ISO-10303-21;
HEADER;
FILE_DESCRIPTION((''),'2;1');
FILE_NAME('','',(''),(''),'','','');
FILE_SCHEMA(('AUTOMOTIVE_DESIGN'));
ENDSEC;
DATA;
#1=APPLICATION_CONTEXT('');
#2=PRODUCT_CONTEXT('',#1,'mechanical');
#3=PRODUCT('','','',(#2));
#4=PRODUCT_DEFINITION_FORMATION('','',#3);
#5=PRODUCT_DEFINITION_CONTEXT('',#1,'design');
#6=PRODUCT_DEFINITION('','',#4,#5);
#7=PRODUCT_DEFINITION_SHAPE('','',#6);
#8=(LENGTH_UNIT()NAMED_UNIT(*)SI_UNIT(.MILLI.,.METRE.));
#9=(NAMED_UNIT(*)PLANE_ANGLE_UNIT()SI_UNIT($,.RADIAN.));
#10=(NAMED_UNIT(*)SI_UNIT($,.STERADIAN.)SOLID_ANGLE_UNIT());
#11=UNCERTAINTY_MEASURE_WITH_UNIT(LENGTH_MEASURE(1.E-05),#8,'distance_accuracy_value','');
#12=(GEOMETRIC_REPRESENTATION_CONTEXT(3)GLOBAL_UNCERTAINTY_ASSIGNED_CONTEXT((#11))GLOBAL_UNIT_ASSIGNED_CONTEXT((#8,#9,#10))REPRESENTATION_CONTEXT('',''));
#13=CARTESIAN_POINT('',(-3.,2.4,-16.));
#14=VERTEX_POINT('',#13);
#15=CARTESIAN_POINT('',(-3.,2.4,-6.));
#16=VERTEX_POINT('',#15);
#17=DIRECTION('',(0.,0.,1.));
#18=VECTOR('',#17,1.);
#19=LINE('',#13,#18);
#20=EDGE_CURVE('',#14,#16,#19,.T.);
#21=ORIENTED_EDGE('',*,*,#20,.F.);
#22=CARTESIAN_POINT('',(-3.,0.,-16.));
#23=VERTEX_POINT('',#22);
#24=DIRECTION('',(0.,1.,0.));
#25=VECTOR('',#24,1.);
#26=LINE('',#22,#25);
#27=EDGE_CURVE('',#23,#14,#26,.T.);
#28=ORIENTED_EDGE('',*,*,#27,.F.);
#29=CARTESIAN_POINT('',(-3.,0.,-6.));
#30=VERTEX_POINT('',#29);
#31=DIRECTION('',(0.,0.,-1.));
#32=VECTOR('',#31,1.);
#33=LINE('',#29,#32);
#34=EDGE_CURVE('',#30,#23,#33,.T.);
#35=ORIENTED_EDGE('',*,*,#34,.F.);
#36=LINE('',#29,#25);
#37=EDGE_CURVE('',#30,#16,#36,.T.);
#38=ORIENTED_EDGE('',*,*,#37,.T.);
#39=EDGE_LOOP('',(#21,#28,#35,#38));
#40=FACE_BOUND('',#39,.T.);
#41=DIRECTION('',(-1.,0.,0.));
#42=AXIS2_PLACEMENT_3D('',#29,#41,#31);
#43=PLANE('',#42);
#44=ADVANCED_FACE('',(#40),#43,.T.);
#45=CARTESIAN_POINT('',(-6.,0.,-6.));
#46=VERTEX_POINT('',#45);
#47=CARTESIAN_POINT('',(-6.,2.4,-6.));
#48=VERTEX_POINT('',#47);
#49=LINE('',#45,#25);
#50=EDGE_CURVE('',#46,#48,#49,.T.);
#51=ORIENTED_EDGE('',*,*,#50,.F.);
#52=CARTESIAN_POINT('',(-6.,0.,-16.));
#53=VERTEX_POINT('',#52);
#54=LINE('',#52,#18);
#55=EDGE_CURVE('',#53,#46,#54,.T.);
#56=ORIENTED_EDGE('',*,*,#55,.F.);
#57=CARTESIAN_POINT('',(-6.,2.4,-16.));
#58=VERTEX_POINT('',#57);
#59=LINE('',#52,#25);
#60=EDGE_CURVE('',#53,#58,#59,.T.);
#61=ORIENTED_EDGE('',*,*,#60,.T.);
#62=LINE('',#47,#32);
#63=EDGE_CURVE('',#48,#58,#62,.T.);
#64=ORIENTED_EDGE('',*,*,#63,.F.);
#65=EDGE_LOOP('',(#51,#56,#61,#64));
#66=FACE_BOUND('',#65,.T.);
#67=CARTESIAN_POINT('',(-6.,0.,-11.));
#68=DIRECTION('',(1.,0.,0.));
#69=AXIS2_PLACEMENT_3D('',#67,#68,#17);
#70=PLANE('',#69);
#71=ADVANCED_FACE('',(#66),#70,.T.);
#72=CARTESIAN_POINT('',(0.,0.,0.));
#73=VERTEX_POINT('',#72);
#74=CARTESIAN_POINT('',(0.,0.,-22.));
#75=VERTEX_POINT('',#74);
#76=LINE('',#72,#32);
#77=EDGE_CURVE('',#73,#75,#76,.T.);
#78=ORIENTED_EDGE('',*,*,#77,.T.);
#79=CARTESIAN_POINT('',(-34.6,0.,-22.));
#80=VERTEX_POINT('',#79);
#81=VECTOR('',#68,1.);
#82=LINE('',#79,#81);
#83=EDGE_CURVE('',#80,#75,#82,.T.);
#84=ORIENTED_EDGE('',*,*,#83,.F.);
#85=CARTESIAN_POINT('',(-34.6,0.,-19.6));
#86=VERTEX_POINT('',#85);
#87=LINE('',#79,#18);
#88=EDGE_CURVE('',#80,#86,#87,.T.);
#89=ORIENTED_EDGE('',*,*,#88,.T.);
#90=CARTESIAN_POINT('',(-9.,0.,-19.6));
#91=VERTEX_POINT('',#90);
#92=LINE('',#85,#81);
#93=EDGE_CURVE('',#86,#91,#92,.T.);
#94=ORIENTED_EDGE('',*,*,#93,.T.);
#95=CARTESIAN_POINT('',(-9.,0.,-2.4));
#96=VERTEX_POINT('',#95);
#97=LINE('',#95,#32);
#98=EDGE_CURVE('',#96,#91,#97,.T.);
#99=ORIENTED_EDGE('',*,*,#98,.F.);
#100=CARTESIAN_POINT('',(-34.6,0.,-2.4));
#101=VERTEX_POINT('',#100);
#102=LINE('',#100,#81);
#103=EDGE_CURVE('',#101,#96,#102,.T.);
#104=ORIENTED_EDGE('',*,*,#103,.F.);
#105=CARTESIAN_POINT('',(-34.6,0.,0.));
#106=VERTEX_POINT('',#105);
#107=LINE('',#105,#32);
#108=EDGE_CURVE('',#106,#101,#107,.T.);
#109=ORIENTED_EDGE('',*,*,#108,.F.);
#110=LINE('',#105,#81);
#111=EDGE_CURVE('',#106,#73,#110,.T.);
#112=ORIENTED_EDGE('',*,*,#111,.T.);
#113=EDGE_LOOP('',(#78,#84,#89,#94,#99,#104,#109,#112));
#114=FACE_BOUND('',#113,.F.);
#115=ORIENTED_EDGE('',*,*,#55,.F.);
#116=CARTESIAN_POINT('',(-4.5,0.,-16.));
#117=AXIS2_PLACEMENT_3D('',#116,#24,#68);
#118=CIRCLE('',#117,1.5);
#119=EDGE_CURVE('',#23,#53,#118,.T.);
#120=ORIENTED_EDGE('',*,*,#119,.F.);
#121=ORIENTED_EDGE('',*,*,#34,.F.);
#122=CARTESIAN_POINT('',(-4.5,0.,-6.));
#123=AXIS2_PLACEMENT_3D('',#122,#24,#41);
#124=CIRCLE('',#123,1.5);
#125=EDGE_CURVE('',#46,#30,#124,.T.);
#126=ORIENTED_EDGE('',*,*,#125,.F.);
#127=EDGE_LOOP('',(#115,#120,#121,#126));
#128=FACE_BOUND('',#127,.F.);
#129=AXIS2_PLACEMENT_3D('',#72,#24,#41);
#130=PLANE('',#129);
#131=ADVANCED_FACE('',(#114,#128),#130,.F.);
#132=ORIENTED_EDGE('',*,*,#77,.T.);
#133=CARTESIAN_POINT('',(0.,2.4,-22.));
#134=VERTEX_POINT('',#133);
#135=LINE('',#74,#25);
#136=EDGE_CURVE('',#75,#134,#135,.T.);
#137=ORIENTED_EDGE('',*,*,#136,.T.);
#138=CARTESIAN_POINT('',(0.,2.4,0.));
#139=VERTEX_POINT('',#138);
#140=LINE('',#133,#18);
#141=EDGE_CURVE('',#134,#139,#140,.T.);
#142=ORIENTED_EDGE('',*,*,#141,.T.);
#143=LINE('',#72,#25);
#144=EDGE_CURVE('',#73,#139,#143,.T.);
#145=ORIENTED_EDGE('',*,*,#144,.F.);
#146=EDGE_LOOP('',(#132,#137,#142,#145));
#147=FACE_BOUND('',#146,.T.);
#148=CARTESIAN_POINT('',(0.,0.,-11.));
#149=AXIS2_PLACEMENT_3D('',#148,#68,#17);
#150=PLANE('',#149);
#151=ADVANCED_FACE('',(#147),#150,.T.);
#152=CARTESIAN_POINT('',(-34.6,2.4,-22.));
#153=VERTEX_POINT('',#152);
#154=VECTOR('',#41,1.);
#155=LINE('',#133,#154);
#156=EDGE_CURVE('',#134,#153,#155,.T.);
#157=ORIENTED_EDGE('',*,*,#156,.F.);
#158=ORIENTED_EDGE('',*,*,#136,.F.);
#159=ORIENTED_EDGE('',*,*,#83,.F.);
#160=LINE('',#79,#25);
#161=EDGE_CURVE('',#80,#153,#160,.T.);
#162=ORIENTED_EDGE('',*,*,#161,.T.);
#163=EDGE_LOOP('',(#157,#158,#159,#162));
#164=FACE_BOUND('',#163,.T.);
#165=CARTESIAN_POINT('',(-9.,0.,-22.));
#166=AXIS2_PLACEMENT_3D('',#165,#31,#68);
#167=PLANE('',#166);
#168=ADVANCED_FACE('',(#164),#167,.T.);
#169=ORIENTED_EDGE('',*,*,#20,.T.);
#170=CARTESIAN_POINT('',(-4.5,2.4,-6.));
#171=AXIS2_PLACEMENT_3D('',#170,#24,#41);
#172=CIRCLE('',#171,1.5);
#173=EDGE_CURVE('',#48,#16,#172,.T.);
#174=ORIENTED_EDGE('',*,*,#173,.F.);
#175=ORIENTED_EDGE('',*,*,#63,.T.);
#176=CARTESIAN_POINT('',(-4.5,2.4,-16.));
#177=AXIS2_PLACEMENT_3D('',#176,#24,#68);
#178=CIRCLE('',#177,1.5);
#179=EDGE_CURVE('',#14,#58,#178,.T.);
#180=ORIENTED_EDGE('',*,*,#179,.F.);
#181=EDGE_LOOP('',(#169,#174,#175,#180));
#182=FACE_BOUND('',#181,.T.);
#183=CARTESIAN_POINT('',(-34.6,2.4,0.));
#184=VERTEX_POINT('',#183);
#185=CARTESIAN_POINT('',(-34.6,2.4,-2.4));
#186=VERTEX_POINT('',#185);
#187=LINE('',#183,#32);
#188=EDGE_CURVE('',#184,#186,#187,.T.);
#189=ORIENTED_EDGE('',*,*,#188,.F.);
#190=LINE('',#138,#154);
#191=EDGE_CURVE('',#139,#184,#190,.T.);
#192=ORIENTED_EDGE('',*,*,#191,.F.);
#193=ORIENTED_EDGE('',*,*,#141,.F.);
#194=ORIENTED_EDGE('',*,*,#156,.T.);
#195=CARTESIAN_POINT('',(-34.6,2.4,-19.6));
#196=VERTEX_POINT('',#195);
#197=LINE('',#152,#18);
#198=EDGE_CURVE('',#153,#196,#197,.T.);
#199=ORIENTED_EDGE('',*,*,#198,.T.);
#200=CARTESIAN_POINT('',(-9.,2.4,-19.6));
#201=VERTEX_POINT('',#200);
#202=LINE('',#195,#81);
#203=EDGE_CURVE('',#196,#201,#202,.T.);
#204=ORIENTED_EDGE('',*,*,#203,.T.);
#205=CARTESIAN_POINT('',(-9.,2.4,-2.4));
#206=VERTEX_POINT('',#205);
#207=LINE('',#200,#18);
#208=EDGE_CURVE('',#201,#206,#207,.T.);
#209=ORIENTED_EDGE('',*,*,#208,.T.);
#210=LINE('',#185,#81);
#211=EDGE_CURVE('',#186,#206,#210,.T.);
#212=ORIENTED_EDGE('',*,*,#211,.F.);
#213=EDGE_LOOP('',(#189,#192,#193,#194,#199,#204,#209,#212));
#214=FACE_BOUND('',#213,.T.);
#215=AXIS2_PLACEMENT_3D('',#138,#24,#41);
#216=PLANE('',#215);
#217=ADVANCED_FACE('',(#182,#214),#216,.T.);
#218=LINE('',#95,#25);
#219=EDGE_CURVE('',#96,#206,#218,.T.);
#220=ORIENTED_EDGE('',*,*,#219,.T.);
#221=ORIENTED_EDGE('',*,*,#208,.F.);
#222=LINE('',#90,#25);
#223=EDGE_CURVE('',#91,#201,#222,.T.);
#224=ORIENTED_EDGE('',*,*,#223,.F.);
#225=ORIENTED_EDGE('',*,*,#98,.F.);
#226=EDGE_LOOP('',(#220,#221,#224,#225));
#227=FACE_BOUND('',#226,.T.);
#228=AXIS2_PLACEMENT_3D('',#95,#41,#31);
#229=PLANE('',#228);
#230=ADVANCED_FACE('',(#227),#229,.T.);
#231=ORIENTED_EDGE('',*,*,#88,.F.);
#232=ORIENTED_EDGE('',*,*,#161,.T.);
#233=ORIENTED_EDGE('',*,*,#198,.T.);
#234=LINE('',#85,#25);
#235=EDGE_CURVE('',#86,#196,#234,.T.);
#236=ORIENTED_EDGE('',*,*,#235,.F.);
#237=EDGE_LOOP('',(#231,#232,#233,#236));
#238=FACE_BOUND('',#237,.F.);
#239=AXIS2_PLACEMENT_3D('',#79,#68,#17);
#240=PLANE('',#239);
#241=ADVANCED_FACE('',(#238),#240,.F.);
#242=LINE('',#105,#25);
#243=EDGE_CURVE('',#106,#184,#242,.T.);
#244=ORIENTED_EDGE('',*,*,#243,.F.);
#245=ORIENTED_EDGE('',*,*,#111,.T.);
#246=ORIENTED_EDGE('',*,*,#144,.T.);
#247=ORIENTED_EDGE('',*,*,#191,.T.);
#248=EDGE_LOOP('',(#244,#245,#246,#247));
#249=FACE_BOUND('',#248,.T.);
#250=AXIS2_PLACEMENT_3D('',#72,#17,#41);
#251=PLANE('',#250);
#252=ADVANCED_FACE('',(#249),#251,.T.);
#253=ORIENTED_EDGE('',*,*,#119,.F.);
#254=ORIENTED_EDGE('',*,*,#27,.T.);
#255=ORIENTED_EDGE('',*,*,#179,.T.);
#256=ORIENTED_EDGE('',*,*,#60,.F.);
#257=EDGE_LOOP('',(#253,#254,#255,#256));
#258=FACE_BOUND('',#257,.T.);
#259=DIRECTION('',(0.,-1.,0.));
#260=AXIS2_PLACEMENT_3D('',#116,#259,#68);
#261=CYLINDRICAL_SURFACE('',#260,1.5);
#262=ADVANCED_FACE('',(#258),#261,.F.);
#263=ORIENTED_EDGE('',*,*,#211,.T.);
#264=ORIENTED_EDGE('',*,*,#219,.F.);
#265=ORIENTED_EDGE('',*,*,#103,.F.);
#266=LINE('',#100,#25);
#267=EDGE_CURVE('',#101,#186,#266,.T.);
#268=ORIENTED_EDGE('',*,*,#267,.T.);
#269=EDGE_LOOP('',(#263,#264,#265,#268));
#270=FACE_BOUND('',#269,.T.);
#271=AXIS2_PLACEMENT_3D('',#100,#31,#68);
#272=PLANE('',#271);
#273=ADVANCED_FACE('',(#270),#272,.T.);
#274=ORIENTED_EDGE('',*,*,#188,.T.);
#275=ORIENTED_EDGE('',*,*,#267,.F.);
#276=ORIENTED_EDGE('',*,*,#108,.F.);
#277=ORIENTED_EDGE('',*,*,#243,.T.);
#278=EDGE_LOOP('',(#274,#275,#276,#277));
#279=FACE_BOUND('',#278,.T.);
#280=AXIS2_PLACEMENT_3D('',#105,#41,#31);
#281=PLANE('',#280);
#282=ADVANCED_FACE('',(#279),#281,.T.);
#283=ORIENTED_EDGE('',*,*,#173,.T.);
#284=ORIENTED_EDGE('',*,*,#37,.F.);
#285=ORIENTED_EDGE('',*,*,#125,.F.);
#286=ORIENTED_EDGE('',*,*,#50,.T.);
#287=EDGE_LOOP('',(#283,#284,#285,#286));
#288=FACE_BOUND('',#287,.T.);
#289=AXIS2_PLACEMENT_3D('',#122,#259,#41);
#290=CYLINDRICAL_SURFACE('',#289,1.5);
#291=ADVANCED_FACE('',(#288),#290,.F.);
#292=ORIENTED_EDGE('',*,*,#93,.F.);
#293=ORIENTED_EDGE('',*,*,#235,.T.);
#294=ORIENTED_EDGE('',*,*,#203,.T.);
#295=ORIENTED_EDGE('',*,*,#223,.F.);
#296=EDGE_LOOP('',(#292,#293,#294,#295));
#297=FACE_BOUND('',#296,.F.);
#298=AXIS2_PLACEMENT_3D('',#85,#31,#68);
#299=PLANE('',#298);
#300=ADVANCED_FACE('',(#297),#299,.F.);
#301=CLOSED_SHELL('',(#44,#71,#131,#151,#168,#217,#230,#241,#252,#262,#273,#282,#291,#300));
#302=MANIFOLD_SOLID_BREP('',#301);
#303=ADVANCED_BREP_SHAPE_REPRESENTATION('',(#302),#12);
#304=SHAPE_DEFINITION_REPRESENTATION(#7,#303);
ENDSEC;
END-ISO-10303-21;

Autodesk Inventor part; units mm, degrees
ref_plane "YZ Plane" through (0, 0, 0) normal (1, 0, 0) x (0, 1, 0)
ref_plane "XZ Plane" through (0, 0, 0) normal (0, 1, 0) x (-1, 0, 0)
ref_plane "XY Plane" through (0, 0, 0) normal (0, 0, 1) x (1, 0, 0)
sketch "Эскиз1" plane through (0, 0, 0) normal (0, 1, 0) x (-1, 0, 0)
  line L0 (0, 0) -> (9, 0)
  line L1 (9, 0) -> (9, -2.4)
  line L2 (9, -22) -> (0, -22)
  line L3 (0, -22) -> (0, 0)
  line L4 (9, -22) -> (34.6, -22)
  line L5 (34.6, -22) -> (34.6, -19.6)
  line L6 (34.6, -19.6) -> (9, -19.6)
  line L7 (9, -11) -> (0, -11)
  line L8 (9, 0) -> (34.6, 0)
  line L9 (34.6, 0) -> (34.6, -2.4)
  line L10 (34.6, -2.4) -> (9, -2.4)
  line L11 (9, -2.4) -> (9, -22)
  line L12 (4.5, -6) -> (4.5, -16) construction
  line L13 (3, -6) -> (3, -16)
  line L14 (6, -16) -> (6, -6)
  arc A0 (6, -6) -> (3, -6) centre (4.5, -6) ccw
  arc A1 (3, -16) -> (6, -16) centre (4.5, -16) ccw
  point P0 (4.5, -11)
  dimension "d0" = 9
  dimension "d1" = 22
  dimension "d2" = 25.6
  dimension "d3" = 2.4
  dimension "d4" = 5
  dimension "d5" = 3
  dimension "d6" = 30.1
extrude "Выдавливание1" add sketch "Эскиз1" along normal blind 2.4 contours L0 L1 L11 L7 L14 A0 L13 L3 | L8 L9 L10 L1 | L7 L13 A1 L14 L11 L2 L3 | L11 L6 L5 L4
properties part number "FixScan"
